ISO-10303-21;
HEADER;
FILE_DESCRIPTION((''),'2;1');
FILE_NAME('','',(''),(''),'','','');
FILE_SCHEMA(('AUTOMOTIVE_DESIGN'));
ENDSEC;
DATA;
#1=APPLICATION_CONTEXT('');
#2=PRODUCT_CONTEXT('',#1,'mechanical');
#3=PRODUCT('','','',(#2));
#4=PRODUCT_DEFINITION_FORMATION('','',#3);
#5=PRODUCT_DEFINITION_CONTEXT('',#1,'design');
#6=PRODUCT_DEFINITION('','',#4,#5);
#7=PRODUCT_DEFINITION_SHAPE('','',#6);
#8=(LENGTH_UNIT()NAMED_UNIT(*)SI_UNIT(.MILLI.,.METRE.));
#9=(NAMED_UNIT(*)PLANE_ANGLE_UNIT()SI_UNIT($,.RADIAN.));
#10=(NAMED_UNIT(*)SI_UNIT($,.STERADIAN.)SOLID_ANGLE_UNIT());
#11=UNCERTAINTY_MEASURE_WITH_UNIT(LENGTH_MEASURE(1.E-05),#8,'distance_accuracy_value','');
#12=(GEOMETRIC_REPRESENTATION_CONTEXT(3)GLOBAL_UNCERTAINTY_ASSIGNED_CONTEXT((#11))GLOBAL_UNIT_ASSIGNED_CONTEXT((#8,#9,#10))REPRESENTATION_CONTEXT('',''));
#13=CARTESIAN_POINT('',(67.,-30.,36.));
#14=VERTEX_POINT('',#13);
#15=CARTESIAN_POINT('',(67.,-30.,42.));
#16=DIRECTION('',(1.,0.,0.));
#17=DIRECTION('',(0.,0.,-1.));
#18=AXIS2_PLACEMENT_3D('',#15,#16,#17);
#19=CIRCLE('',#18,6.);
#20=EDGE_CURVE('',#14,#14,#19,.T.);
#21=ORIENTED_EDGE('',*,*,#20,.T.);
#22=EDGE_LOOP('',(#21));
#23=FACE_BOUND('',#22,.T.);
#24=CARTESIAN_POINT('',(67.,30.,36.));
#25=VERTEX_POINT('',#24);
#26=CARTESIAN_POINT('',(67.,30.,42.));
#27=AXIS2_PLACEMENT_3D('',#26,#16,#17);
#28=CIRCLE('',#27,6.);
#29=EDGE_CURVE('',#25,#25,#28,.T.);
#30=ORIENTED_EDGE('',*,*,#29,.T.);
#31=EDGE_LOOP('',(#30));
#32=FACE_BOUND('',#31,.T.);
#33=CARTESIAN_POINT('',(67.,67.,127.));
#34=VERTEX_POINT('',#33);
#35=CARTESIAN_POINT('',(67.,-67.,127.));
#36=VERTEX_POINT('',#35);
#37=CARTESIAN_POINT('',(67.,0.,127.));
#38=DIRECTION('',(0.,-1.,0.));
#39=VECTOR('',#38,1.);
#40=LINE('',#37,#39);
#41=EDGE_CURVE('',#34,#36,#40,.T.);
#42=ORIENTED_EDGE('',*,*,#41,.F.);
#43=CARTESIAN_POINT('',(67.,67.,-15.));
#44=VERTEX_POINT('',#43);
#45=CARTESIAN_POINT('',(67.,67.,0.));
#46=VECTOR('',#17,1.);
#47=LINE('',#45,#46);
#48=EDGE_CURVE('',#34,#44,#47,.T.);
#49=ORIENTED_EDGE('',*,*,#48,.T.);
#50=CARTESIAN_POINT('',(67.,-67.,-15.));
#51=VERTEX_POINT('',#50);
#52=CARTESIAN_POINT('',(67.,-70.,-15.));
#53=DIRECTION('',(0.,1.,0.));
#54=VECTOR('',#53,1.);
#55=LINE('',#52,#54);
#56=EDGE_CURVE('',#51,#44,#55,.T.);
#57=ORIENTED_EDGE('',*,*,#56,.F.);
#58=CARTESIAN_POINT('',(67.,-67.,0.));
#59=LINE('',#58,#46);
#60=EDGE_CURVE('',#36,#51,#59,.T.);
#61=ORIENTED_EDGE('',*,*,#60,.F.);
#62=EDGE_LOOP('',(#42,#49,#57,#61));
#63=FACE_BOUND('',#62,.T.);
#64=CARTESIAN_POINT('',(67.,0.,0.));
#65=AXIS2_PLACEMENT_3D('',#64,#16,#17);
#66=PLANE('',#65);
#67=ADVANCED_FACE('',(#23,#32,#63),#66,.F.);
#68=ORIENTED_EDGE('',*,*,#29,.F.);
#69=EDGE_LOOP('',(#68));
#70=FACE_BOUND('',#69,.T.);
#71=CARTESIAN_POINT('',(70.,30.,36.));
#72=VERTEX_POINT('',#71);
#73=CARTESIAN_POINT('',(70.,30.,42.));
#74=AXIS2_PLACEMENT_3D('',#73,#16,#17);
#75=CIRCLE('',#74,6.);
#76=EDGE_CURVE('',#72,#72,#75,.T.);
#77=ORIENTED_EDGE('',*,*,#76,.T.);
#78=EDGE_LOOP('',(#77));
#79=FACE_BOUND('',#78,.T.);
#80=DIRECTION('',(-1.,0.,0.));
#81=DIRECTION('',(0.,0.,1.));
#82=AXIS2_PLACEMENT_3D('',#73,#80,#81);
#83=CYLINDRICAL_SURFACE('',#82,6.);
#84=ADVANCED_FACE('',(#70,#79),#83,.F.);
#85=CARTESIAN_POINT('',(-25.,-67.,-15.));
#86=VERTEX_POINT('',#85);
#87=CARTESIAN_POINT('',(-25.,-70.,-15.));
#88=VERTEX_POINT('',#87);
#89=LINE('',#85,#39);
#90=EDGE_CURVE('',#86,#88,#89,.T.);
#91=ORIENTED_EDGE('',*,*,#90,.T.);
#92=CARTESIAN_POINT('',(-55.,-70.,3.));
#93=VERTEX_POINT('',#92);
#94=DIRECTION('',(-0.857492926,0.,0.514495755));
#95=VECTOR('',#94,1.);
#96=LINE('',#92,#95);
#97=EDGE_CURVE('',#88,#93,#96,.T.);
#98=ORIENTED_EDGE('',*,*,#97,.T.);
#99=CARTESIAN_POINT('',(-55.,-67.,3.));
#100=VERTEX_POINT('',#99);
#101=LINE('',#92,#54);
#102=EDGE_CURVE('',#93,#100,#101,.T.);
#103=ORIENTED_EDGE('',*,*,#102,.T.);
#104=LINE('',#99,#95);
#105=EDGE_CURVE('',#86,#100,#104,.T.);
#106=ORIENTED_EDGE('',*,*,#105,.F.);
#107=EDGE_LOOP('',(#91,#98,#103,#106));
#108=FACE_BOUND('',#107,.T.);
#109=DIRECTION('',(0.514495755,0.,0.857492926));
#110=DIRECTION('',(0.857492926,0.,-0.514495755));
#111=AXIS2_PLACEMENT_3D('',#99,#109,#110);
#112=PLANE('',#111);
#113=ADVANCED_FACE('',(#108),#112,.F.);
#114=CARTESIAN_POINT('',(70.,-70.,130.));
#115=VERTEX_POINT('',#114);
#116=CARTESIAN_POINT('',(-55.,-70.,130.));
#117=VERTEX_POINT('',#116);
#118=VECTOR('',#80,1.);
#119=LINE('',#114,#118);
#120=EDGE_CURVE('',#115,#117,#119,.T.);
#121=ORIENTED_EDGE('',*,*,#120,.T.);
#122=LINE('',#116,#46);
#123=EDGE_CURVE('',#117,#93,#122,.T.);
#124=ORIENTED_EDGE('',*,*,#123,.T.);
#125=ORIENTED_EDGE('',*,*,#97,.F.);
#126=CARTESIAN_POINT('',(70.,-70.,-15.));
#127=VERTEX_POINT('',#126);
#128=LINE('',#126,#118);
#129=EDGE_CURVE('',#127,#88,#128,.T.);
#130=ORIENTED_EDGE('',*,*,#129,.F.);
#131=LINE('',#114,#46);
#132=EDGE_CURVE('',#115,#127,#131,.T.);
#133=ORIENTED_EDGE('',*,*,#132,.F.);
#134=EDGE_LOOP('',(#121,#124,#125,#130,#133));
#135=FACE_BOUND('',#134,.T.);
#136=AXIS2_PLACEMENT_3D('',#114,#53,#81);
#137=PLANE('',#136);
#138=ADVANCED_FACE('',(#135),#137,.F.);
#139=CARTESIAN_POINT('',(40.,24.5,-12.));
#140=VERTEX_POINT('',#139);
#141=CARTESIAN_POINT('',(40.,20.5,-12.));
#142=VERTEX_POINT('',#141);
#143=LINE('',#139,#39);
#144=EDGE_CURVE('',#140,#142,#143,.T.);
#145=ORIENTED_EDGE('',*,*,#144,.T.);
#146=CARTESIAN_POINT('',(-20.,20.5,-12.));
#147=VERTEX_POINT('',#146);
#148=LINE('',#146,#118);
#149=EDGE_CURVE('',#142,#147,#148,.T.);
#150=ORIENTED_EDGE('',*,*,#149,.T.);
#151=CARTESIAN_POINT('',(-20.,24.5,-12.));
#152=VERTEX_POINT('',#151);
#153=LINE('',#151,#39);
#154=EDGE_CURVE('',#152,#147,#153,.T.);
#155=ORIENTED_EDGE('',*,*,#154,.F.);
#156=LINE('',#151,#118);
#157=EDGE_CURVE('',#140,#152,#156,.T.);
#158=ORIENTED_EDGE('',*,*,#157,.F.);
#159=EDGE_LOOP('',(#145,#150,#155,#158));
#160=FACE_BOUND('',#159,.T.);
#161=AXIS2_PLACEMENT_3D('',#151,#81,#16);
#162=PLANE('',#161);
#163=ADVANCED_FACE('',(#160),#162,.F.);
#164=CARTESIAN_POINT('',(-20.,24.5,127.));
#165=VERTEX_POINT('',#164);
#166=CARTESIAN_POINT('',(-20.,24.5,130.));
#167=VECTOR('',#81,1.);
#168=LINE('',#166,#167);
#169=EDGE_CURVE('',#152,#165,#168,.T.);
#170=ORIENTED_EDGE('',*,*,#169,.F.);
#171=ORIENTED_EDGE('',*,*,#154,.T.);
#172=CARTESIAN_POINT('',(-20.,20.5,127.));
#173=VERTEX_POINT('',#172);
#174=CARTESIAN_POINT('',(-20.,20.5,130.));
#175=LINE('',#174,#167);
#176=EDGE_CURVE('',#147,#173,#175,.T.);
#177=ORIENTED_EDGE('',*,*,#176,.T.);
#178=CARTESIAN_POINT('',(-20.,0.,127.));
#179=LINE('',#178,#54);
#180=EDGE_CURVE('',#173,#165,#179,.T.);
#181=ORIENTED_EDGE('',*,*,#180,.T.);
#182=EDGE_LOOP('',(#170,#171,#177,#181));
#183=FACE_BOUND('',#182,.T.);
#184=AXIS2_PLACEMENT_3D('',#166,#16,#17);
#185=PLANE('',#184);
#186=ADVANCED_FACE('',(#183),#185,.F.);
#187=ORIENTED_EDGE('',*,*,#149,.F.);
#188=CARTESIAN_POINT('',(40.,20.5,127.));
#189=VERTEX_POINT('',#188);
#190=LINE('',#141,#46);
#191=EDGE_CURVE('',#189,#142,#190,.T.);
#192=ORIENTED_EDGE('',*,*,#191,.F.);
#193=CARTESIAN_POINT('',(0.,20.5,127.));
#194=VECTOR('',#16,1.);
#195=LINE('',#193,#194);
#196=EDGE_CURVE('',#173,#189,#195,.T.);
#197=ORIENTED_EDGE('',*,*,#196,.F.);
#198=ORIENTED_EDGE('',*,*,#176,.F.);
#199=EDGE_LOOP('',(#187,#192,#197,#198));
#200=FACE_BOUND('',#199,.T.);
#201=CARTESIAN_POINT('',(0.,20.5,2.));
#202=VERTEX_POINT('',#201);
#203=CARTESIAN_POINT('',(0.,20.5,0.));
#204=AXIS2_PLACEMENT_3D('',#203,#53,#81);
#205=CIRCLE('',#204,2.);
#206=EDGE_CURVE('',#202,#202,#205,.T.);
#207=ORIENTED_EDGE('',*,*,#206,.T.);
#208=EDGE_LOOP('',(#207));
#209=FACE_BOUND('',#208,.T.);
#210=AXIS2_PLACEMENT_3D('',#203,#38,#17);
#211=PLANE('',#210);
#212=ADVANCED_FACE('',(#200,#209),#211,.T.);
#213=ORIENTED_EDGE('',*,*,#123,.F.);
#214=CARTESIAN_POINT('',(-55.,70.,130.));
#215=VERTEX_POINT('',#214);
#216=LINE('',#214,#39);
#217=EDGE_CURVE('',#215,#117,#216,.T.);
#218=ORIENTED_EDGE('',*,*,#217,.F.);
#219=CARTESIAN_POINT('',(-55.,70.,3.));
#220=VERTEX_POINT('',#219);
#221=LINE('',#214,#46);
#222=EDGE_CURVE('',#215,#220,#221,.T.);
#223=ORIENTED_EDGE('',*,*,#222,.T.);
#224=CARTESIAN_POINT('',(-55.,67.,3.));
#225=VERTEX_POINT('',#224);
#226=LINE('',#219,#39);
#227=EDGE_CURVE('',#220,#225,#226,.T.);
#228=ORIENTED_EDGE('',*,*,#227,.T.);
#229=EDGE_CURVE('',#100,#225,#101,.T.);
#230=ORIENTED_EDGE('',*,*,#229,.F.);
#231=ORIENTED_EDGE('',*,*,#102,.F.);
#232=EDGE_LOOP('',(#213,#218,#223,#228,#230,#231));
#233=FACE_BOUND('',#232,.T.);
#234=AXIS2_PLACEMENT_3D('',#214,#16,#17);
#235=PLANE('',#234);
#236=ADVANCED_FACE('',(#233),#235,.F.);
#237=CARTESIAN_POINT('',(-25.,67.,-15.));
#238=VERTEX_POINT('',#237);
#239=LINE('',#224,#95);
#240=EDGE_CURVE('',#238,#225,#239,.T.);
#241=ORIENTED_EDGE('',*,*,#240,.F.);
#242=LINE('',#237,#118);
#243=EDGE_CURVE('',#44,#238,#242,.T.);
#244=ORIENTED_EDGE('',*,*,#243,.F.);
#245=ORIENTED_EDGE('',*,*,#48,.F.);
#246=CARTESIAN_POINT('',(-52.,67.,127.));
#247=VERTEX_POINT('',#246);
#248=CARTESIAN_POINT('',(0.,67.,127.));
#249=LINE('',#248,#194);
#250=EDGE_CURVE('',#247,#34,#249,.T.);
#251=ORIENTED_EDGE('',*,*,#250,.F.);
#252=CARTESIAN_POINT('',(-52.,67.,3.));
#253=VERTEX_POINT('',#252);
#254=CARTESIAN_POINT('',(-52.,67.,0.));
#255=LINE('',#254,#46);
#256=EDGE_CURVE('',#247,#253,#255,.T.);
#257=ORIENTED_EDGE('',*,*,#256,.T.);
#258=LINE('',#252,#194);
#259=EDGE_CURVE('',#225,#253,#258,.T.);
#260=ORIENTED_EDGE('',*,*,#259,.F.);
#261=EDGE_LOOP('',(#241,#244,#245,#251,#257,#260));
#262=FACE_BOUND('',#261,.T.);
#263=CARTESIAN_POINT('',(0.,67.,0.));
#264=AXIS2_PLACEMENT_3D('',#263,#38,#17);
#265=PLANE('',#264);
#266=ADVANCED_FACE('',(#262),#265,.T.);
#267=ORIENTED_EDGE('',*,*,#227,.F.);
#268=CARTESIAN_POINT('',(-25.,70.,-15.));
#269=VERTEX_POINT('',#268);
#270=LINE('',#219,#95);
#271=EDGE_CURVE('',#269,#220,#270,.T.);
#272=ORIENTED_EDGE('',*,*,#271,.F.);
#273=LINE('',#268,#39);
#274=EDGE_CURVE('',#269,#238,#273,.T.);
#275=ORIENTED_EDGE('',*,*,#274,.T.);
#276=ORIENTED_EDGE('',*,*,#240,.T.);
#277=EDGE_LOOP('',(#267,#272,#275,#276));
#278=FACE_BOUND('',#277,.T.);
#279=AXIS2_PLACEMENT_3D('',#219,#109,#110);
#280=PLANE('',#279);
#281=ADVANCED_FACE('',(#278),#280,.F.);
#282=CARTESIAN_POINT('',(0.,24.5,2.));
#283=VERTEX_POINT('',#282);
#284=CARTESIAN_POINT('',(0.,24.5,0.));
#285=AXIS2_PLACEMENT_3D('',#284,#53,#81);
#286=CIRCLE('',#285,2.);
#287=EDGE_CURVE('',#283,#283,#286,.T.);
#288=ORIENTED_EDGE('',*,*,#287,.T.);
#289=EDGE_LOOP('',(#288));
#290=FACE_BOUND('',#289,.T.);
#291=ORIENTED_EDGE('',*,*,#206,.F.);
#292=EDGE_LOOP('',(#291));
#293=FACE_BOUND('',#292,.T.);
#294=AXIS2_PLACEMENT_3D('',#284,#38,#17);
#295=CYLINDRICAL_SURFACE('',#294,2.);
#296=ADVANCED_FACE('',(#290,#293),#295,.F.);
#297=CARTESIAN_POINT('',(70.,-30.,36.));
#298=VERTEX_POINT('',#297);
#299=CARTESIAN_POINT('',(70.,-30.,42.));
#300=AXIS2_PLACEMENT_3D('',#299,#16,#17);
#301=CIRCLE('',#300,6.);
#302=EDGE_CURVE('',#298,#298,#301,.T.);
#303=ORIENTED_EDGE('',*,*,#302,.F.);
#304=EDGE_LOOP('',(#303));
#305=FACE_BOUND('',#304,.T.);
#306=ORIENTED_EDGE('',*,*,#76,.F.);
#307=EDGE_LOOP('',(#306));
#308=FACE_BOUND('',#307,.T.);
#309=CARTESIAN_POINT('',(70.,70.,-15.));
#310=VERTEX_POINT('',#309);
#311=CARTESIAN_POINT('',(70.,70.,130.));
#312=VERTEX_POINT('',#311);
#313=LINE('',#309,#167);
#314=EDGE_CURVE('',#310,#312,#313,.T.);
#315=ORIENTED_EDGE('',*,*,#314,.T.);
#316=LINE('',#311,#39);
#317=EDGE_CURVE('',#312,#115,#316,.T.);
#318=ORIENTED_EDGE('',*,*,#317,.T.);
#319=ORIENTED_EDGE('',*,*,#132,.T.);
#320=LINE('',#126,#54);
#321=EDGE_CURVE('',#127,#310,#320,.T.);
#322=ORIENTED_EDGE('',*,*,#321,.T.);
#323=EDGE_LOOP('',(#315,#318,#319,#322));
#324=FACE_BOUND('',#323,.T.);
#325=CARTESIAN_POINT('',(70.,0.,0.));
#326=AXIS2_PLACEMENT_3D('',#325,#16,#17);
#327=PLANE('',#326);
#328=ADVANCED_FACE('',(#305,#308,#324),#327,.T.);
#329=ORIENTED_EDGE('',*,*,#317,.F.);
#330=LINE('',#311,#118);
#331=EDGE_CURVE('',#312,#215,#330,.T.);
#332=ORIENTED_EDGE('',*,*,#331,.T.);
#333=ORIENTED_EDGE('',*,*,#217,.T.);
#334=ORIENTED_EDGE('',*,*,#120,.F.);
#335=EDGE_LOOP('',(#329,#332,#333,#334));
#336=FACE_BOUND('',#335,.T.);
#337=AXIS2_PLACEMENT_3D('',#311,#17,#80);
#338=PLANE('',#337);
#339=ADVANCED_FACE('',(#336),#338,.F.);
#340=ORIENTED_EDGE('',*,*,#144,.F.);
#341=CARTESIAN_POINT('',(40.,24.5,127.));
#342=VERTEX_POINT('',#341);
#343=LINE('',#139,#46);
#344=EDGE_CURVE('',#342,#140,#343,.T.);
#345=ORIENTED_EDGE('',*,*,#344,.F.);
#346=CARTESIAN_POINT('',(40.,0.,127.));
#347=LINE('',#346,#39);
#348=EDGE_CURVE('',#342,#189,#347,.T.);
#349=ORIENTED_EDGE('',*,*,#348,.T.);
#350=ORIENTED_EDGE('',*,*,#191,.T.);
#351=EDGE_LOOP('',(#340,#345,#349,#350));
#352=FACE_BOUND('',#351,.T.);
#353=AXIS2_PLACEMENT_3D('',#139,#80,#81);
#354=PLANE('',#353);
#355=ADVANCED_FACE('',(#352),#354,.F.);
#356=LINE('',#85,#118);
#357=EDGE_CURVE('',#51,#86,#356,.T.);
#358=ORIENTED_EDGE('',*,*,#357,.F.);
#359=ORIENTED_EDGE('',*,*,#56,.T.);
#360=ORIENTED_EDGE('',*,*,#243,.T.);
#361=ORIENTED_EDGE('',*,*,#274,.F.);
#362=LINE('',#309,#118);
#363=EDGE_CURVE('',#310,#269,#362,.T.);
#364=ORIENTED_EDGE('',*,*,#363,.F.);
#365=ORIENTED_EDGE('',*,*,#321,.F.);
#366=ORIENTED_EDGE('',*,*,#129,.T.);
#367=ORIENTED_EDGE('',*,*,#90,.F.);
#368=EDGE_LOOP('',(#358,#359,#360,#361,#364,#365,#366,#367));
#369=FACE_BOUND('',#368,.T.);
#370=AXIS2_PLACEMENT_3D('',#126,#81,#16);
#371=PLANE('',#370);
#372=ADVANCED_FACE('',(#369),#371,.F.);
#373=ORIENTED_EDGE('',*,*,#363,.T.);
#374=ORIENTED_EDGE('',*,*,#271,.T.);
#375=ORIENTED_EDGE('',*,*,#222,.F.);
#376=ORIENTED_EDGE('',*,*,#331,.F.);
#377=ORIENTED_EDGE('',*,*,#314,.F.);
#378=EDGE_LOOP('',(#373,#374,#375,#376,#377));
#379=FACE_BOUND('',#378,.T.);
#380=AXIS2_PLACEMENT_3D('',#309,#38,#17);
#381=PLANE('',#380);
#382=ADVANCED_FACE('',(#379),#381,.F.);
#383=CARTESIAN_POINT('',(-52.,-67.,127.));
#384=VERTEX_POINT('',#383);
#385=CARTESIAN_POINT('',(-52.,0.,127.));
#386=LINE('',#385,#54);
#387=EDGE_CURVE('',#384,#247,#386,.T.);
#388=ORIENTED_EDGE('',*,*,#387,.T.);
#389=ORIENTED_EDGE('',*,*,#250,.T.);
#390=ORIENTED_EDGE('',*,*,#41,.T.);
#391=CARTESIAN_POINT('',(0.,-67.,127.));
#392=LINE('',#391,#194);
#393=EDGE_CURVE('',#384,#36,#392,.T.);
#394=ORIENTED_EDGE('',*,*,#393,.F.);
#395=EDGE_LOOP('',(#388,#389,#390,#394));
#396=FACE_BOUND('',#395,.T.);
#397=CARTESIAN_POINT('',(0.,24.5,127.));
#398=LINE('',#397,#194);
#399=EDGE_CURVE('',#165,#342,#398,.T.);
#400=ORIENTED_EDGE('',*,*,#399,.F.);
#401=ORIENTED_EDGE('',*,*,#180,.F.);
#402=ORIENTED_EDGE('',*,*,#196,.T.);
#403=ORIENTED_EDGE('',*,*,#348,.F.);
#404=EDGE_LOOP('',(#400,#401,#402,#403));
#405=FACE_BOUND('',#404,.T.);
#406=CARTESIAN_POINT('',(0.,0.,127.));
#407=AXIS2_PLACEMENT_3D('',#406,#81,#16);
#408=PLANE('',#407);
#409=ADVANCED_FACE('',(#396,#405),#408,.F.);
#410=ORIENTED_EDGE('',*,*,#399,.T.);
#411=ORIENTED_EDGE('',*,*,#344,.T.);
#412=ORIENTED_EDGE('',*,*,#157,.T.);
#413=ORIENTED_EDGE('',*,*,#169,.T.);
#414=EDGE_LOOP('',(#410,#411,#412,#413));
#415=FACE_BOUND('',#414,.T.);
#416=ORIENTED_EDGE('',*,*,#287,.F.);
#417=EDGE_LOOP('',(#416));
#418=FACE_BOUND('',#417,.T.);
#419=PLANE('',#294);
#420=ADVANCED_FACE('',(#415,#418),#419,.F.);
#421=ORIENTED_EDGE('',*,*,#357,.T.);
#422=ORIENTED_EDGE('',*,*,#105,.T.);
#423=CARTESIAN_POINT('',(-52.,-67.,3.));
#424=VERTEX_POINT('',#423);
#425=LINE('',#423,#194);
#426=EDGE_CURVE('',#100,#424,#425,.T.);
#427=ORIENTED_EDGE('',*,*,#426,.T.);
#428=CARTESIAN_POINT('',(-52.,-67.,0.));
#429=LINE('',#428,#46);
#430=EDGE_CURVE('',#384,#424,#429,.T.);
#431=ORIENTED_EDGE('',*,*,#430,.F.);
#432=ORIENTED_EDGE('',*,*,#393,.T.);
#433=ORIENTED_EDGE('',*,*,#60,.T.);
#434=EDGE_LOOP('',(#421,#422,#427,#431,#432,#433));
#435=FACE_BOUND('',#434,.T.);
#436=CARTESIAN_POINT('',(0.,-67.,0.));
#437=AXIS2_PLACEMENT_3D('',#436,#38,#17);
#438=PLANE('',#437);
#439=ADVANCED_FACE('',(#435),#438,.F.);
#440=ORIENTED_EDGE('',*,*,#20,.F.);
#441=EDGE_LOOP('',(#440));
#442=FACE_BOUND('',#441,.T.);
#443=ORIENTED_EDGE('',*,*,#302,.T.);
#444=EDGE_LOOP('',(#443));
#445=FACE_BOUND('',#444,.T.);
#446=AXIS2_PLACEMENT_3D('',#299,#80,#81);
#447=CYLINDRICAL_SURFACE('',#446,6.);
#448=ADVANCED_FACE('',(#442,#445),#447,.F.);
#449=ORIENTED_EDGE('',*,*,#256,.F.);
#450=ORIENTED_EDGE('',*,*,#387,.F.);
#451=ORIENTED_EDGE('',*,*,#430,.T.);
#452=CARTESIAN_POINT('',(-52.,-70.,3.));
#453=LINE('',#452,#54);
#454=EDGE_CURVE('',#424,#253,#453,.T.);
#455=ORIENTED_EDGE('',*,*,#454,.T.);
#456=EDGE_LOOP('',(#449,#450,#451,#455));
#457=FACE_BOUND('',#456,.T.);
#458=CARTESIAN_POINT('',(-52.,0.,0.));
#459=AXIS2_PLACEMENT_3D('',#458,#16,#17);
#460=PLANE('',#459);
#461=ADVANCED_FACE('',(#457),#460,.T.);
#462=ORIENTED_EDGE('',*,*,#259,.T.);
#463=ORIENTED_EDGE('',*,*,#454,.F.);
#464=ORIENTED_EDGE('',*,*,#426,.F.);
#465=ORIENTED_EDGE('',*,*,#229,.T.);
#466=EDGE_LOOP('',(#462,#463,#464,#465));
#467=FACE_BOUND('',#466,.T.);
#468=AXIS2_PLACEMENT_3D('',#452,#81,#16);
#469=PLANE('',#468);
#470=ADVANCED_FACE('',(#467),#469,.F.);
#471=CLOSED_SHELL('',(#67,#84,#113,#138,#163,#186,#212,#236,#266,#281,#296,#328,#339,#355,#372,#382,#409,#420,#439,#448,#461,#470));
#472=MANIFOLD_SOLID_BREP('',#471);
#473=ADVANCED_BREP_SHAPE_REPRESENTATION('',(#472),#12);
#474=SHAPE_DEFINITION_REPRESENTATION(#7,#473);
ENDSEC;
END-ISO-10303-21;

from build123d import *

# Parameters (mm, degrees)
SK_FRONT_W       = 145
SK_FRONT_H       = 140
SK_FRONT_R       = 6
FRONT_DEPTH      = 3
SK_BACK_W        = 127
SK_BACK_H        = 140
BACK_DEPTH       = 3
SK_TOP_W         = 125
SK_TOP_H         = 140
TOP_DEPTH        = 3
SIDE_L_DEPTH     = 3
SIDE_R_DEPTH     = 3
SK_HORN_PLATE_W  = 60
SK_HORN_PLATE_H  = 142
SK_HORN_PLATE_R  = 2
HORN_PLATE_DEPTH = 4


with BuildPart() as part:
    # SK_Front → Front (new body)
    with BuildSketch(Plane(origin=(67, 0, 0), x_dir=(0, 0, -1), z_dir=(1, 0, 0))):
        with Locations((-57.5, 0)):
            Rectangle(SK_FRONT_W, SK_FRONT_H)
        with Locations((-42, 30)):
            Circle(SK_FRONT_R, mode=Mode.SUBTRACT)
        with Locations((-42, -30)):
            Circle(SK_FRONT_R, mode=Mode.SUBTRACT)
    extrude(amount=FRONT_DEPTH)



with BuildPart() as body_2:
    # SK_Back → Back (new body)
    with BuildSketch(Plane(origin=(-55, 0, 0), x_dir=(0, 0, -1), z_dir=(1, 0, 0))):
        with Locations((-66.5, 0)):
            Rectangle(SK_BACK_W, SK_BACK_H)
    extrude(amount=BACK_DEPTH)


with BuildPart() as part_1:
    add(part.part)

    add(body_2.part)  # Top merges body 2
    # SK_Top → Top (add)
    with BuildSketch(Plane.XY.offset(127)):
        with Locations((7.5, 0)):
            Rectangle(SK_TOP_W, SK_TOP_H)
    extrude(amount=TOP_DEPTH)

    # SK_Side_L → Side_L (add)
    with BuildSketch(Plane(origin=(0, 67, 0), x_dir=(1, 0, 0), z_dir=(0, 1, 0))):
        Polygon((-25, 15), (70, 15), (70, -130), (-55, -130), (-55, -3), align=None)
    extrude(amount=SIDE_L_DEPTH)

    # SK_Side_R → Side_R (add)
    with BuildSketch(Plane(origin=(0, -70, 0), x_dir=(1, 0, 0), z_dir=(0, 1, 0))):
        Polygon((-25, 15), (70, 15), (70, -130), (-55, -130), (-55, -3), align=None)
    extrude(amount=SIDE_R_DEPTH)

    # SK_Horn_Plate → Horn_Plate (add)
    with BuildSketch(Plane(origin=(0, 20.5, 0), x_dir=(1, 0, 0), z_dir=(0, 1, 0))):
        with Locations((10, -59)):
            Rectangle(SK_HORN_PLATE_W, SK_HORN_PLATE_H)
        with Locations(Location((0, 0, 0), (0, 0, 270))):
            Circle(SK_HORN_PLATE_R, mode=Mode.SUBTRACT)
    extrude(amount=HORN_PLATE_DEPTH)


solid = part_1.part
